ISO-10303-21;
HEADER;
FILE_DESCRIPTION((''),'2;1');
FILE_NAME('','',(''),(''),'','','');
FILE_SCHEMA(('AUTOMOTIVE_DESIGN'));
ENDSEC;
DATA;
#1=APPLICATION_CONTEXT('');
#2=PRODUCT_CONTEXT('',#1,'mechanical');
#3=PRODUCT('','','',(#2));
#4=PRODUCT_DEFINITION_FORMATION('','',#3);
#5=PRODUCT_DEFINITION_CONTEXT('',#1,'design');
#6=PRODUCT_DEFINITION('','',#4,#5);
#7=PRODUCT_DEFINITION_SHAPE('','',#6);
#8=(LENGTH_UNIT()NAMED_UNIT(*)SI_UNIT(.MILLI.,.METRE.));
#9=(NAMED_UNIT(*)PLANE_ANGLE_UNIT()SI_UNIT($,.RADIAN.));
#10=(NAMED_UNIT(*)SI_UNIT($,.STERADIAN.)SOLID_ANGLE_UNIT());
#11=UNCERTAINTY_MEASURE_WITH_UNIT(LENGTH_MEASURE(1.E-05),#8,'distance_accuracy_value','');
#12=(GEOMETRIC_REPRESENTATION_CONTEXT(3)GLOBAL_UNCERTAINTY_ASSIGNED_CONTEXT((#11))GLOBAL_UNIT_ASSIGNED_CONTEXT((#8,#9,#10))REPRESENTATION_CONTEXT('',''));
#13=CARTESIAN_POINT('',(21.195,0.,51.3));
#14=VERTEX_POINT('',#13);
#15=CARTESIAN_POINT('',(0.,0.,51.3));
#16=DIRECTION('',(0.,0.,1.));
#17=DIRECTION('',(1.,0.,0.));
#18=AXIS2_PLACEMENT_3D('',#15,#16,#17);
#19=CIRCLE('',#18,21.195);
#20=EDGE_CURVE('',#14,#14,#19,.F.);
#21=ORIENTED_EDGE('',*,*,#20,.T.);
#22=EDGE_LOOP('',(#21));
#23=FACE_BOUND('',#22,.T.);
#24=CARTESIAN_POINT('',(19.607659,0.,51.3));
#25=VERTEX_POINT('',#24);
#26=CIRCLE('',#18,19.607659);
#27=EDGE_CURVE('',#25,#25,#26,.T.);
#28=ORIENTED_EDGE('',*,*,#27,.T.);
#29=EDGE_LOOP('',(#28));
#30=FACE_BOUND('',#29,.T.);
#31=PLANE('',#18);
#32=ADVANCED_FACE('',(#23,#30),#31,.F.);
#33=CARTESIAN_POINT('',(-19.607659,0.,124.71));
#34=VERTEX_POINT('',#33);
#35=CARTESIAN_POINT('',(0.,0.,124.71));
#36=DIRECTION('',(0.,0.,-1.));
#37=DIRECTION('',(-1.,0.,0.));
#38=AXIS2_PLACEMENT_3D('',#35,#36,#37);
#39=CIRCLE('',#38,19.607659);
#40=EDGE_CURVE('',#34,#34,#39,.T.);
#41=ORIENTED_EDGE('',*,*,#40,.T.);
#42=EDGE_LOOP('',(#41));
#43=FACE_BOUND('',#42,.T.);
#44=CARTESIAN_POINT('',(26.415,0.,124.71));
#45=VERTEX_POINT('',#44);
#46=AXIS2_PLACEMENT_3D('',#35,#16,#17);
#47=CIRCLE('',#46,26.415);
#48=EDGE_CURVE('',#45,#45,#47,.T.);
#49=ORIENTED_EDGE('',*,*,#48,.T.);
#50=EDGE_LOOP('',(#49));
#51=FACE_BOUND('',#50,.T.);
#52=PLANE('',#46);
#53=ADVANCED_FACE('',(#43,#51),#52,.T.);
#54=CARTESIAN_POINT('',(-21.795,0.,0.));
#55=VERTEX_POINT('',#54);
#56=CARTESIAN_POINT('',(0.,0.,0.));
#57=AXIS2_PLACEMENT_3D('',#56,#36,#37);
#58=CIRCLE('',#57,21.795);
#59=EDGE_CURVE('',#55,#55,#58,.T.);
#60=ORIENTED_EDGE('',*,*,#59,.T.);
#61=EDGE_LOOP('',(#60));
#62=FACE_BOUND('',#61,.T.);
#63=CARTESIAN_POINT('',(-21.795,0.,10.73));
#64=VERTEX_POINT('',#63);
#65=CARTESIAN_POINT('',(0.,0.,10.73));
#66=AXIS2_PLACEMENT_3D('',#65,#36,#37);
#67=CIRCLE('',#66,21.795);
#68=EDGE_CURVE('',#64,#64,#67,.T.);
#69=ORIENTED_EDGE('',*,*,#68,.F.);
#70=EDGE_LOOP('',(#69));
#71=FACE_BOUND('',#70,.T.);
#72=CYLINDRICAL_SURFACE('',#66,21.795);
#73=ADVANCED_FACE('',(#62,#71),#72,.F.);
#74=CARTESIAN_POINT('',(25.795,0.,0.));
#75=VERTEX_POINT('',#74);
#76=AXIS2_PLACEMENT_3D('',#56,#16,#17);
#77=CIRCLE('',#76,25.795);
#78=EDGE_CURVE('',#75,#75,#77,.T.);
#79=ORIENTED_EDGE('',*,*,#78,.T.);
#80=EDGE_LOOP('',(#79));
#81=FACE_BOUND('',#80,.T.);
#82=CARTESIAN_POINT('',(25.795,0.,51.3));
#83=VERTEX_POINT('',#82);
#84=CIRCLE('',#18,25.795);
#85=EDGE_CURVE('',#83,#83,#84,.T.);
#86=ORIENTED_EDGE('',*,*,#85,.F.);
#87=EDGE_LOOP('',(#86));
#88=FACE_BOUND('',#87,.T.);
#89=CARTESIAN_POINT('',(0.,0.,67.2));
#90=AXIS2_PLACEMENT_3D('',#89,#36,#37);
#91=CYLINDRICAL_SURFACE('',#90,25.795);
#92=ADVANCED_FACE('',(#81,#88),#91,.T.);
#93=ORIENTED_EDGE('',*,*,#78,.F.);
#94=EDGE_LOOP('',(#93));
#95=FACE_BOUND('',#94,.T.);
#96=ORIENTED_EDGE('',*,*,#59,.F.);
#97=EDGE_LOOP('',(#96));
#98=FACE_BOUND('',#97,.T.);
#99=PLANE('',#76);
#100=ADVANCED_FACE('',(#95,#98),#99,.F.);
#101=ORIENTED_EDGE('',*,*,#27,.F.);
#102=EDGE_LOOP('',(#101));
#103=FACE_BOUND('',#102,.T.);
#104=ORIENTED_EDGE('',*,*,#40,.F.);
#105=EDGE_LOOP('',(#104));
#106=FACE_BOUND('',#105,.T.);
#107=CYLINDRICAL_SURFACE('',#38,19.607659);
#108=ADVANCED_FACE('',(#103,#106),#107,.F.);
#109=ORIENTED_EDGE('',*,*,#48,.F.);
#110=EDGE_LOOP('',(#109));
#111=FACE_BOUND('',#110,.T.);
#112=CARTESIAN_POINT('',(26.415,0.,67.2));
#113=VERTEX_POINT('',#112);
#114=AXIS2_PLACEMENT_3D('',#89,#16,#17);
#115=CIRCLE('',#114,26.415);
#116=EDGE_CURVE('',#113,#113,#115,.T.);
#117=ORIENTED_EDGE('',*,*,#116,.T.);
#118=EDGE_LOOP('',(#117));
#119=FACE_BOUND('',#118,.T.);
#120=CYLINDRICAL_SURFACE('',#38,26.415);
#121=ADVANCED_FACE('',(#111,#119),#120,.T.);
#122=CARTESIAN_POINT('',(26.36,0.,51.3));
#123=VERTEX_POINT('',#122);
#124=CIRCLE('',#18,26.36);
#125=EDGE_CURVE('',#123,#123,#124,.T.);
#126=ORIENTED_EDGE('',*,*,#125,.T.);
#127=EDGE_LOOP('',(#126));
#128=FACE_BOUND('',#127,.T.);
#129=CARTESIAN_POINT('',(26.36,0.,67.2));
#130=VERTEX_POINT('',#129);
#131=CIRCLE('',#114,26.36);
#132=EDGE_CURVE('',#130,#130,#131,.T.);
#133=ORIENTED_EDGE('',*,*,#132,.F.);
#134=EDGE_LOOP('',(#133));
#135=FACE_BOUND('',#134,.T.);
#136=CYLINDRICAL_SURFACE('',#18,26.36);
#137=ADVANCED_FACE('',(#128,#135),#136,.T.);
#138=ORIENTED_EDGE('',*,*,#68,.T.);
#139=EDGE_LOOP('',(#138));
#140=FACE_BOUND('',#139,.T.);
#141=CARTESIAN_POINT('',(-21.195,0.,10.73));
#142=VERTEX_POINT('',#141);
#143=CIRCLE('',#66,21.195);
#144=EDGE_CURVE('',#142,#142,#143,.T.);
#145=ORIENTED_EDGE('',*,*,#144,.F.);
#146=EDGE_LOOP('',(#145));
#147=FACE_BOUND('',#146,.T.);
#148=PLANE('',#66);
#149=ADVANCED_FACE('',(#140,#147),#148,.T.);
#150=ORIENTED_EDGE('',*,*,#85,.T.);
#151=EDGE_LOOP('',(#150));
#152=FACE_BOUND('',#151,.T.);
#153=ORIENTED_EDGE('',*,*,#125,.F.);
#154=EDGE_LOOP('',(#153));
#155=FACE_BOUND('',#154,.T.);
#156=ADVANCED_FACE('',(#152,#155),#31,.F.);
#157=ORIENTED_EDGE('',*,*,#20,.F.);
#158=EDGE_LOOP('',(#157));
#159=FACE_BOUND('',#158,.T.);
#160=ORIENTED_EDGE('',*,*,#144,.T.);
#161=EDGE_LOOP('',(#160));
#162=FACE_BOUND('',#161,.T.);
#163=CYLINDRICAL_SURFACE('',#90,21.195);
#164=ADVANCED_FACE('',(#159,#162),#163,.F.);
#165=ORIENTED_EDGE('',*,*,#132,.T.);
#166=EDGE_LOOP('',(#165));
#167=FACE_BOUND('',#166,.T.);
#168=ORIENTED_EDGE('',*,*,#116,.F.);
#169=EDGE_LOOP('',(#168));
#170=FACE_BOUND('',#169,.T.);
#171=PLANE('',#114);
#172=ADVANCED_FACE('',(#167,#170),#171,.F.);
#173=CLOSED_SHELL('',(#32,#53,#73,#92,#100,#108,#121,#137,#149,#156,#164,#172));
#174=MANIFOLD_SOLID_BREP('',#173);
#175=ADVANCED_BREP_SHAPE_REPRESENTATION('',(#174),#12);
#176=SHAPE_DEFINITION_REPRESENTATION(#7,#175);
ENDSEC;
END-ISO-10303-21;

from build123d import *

# Parameters (mm, degrees)
SKETCH1_R               = 25.795
SKETCH1_R_2             = 18.885
BOSS_EXTRUDE1_DEPTH     = 67.2
SKETCH2_R               = 21.795
SKETCH2_R_2             = 21.195
CUT_EXTRUDE2_DEPTH      = 10.73
CUT_EXTRUDE3_DEPTH      = 77.463089462
CUT_EXTRUDE3_DEPTH_BACK = 77.463089462
SKETCH3_R               = 21.195
SKETCH3_R_2             = 18.885
SKETCH4_R               = 26.36
BOSS_EXTRUDE2_DEPTH     = 15.9
SKETCH5_R               = 26.415
BOSS_EXTRUDE3_DEPTH     = 57.51
CUT_EXTRUDE6_DEPTH      = 83.368273929
CUT_EXTRUDE6_DEPTH_BACK = 83.368273929
SKETCH10_R              = 19.607658562


with BuildPart() as part:
    # Sketch1 → Boss-Extrude1 (new body)
    with BuildSketch(Plane.XY):
        Circle(SKETCH1_R)
        Circle(SKETCH1_R_2, mode=Mode.SUBTRACT)
    extrude(amount=BOSS_EXTRUDE1_DEPTH)

    # Sketch2 → Cut-Extrude2 (cut)
    with BuildSketch(Plane(origin=(0, 0, 0), x_dir=(-1, 0, 0), z_dir=(0, 0, -1))):
        Circle(SKETCH2_R)
        Circle(SKETCH2_R_2, mode=Mode.SUBTRACT)
    extrude(amount=-CUT_EXTRUDE2_DEPTH, mode=Mode.SUBTRACT)

    # Sketch3 → Cut-Extrude3 (cut, two sides: drawn at the far end of the back side and taken through both)
    with BuildSketch(Plane(origin=(0, 0, 0), x_dir=(-1, 0, 0), z_dir=(0, 0, -1)).offset(-CUT_EXTRUDE3_DEPTH_BACK)):
        Circle(SKETCH3_R)
        Circle(SKETCH3_R_2, mode=Mode.SUBTRACT)
    extrude(amount=CUT_EXTRUDE3_DEPTH + CUT_EXTRUDE3_DEPTH_BACK, mode=Mode.SUBTRACT)

    # Sketch4 → Boss-Extrude2 (add)
    with BuildSketch(Plane.XY.offset(67.2)):
        Circle(SKETCH4_R)
    extrude(amount=-BOSS_EXTRUDE2_DEPTH)

    # Sketch5 → Boss-Extrude3 (add)
    with BuildSketch(Plane.XY.offset(67.2)):
        Circle(SKETCH5_R)
    extrude(amount=BOSS_EXTRUDE3_DEPTH)

    # Sketch10 → Cut-Extrude6 (cut, two sides: drawn at the far end of the back side and taken through both)
    with BuildSketch(Plane(origin=(0, 0, 51.3), x_dir=(-1, 0, 0), z_dir=(0, 0, -1)).offset(-CUT_EXTRUDE6_DEPTH_BACK)):
        Circle(SKETCH10_R)
    extrude(amount=CUT_EXTRUDE6_DEPTH + CUT_EXTRUDE6_DEPTH_BACK, mode=Mode.SUBTRACT)


solid = part.part
